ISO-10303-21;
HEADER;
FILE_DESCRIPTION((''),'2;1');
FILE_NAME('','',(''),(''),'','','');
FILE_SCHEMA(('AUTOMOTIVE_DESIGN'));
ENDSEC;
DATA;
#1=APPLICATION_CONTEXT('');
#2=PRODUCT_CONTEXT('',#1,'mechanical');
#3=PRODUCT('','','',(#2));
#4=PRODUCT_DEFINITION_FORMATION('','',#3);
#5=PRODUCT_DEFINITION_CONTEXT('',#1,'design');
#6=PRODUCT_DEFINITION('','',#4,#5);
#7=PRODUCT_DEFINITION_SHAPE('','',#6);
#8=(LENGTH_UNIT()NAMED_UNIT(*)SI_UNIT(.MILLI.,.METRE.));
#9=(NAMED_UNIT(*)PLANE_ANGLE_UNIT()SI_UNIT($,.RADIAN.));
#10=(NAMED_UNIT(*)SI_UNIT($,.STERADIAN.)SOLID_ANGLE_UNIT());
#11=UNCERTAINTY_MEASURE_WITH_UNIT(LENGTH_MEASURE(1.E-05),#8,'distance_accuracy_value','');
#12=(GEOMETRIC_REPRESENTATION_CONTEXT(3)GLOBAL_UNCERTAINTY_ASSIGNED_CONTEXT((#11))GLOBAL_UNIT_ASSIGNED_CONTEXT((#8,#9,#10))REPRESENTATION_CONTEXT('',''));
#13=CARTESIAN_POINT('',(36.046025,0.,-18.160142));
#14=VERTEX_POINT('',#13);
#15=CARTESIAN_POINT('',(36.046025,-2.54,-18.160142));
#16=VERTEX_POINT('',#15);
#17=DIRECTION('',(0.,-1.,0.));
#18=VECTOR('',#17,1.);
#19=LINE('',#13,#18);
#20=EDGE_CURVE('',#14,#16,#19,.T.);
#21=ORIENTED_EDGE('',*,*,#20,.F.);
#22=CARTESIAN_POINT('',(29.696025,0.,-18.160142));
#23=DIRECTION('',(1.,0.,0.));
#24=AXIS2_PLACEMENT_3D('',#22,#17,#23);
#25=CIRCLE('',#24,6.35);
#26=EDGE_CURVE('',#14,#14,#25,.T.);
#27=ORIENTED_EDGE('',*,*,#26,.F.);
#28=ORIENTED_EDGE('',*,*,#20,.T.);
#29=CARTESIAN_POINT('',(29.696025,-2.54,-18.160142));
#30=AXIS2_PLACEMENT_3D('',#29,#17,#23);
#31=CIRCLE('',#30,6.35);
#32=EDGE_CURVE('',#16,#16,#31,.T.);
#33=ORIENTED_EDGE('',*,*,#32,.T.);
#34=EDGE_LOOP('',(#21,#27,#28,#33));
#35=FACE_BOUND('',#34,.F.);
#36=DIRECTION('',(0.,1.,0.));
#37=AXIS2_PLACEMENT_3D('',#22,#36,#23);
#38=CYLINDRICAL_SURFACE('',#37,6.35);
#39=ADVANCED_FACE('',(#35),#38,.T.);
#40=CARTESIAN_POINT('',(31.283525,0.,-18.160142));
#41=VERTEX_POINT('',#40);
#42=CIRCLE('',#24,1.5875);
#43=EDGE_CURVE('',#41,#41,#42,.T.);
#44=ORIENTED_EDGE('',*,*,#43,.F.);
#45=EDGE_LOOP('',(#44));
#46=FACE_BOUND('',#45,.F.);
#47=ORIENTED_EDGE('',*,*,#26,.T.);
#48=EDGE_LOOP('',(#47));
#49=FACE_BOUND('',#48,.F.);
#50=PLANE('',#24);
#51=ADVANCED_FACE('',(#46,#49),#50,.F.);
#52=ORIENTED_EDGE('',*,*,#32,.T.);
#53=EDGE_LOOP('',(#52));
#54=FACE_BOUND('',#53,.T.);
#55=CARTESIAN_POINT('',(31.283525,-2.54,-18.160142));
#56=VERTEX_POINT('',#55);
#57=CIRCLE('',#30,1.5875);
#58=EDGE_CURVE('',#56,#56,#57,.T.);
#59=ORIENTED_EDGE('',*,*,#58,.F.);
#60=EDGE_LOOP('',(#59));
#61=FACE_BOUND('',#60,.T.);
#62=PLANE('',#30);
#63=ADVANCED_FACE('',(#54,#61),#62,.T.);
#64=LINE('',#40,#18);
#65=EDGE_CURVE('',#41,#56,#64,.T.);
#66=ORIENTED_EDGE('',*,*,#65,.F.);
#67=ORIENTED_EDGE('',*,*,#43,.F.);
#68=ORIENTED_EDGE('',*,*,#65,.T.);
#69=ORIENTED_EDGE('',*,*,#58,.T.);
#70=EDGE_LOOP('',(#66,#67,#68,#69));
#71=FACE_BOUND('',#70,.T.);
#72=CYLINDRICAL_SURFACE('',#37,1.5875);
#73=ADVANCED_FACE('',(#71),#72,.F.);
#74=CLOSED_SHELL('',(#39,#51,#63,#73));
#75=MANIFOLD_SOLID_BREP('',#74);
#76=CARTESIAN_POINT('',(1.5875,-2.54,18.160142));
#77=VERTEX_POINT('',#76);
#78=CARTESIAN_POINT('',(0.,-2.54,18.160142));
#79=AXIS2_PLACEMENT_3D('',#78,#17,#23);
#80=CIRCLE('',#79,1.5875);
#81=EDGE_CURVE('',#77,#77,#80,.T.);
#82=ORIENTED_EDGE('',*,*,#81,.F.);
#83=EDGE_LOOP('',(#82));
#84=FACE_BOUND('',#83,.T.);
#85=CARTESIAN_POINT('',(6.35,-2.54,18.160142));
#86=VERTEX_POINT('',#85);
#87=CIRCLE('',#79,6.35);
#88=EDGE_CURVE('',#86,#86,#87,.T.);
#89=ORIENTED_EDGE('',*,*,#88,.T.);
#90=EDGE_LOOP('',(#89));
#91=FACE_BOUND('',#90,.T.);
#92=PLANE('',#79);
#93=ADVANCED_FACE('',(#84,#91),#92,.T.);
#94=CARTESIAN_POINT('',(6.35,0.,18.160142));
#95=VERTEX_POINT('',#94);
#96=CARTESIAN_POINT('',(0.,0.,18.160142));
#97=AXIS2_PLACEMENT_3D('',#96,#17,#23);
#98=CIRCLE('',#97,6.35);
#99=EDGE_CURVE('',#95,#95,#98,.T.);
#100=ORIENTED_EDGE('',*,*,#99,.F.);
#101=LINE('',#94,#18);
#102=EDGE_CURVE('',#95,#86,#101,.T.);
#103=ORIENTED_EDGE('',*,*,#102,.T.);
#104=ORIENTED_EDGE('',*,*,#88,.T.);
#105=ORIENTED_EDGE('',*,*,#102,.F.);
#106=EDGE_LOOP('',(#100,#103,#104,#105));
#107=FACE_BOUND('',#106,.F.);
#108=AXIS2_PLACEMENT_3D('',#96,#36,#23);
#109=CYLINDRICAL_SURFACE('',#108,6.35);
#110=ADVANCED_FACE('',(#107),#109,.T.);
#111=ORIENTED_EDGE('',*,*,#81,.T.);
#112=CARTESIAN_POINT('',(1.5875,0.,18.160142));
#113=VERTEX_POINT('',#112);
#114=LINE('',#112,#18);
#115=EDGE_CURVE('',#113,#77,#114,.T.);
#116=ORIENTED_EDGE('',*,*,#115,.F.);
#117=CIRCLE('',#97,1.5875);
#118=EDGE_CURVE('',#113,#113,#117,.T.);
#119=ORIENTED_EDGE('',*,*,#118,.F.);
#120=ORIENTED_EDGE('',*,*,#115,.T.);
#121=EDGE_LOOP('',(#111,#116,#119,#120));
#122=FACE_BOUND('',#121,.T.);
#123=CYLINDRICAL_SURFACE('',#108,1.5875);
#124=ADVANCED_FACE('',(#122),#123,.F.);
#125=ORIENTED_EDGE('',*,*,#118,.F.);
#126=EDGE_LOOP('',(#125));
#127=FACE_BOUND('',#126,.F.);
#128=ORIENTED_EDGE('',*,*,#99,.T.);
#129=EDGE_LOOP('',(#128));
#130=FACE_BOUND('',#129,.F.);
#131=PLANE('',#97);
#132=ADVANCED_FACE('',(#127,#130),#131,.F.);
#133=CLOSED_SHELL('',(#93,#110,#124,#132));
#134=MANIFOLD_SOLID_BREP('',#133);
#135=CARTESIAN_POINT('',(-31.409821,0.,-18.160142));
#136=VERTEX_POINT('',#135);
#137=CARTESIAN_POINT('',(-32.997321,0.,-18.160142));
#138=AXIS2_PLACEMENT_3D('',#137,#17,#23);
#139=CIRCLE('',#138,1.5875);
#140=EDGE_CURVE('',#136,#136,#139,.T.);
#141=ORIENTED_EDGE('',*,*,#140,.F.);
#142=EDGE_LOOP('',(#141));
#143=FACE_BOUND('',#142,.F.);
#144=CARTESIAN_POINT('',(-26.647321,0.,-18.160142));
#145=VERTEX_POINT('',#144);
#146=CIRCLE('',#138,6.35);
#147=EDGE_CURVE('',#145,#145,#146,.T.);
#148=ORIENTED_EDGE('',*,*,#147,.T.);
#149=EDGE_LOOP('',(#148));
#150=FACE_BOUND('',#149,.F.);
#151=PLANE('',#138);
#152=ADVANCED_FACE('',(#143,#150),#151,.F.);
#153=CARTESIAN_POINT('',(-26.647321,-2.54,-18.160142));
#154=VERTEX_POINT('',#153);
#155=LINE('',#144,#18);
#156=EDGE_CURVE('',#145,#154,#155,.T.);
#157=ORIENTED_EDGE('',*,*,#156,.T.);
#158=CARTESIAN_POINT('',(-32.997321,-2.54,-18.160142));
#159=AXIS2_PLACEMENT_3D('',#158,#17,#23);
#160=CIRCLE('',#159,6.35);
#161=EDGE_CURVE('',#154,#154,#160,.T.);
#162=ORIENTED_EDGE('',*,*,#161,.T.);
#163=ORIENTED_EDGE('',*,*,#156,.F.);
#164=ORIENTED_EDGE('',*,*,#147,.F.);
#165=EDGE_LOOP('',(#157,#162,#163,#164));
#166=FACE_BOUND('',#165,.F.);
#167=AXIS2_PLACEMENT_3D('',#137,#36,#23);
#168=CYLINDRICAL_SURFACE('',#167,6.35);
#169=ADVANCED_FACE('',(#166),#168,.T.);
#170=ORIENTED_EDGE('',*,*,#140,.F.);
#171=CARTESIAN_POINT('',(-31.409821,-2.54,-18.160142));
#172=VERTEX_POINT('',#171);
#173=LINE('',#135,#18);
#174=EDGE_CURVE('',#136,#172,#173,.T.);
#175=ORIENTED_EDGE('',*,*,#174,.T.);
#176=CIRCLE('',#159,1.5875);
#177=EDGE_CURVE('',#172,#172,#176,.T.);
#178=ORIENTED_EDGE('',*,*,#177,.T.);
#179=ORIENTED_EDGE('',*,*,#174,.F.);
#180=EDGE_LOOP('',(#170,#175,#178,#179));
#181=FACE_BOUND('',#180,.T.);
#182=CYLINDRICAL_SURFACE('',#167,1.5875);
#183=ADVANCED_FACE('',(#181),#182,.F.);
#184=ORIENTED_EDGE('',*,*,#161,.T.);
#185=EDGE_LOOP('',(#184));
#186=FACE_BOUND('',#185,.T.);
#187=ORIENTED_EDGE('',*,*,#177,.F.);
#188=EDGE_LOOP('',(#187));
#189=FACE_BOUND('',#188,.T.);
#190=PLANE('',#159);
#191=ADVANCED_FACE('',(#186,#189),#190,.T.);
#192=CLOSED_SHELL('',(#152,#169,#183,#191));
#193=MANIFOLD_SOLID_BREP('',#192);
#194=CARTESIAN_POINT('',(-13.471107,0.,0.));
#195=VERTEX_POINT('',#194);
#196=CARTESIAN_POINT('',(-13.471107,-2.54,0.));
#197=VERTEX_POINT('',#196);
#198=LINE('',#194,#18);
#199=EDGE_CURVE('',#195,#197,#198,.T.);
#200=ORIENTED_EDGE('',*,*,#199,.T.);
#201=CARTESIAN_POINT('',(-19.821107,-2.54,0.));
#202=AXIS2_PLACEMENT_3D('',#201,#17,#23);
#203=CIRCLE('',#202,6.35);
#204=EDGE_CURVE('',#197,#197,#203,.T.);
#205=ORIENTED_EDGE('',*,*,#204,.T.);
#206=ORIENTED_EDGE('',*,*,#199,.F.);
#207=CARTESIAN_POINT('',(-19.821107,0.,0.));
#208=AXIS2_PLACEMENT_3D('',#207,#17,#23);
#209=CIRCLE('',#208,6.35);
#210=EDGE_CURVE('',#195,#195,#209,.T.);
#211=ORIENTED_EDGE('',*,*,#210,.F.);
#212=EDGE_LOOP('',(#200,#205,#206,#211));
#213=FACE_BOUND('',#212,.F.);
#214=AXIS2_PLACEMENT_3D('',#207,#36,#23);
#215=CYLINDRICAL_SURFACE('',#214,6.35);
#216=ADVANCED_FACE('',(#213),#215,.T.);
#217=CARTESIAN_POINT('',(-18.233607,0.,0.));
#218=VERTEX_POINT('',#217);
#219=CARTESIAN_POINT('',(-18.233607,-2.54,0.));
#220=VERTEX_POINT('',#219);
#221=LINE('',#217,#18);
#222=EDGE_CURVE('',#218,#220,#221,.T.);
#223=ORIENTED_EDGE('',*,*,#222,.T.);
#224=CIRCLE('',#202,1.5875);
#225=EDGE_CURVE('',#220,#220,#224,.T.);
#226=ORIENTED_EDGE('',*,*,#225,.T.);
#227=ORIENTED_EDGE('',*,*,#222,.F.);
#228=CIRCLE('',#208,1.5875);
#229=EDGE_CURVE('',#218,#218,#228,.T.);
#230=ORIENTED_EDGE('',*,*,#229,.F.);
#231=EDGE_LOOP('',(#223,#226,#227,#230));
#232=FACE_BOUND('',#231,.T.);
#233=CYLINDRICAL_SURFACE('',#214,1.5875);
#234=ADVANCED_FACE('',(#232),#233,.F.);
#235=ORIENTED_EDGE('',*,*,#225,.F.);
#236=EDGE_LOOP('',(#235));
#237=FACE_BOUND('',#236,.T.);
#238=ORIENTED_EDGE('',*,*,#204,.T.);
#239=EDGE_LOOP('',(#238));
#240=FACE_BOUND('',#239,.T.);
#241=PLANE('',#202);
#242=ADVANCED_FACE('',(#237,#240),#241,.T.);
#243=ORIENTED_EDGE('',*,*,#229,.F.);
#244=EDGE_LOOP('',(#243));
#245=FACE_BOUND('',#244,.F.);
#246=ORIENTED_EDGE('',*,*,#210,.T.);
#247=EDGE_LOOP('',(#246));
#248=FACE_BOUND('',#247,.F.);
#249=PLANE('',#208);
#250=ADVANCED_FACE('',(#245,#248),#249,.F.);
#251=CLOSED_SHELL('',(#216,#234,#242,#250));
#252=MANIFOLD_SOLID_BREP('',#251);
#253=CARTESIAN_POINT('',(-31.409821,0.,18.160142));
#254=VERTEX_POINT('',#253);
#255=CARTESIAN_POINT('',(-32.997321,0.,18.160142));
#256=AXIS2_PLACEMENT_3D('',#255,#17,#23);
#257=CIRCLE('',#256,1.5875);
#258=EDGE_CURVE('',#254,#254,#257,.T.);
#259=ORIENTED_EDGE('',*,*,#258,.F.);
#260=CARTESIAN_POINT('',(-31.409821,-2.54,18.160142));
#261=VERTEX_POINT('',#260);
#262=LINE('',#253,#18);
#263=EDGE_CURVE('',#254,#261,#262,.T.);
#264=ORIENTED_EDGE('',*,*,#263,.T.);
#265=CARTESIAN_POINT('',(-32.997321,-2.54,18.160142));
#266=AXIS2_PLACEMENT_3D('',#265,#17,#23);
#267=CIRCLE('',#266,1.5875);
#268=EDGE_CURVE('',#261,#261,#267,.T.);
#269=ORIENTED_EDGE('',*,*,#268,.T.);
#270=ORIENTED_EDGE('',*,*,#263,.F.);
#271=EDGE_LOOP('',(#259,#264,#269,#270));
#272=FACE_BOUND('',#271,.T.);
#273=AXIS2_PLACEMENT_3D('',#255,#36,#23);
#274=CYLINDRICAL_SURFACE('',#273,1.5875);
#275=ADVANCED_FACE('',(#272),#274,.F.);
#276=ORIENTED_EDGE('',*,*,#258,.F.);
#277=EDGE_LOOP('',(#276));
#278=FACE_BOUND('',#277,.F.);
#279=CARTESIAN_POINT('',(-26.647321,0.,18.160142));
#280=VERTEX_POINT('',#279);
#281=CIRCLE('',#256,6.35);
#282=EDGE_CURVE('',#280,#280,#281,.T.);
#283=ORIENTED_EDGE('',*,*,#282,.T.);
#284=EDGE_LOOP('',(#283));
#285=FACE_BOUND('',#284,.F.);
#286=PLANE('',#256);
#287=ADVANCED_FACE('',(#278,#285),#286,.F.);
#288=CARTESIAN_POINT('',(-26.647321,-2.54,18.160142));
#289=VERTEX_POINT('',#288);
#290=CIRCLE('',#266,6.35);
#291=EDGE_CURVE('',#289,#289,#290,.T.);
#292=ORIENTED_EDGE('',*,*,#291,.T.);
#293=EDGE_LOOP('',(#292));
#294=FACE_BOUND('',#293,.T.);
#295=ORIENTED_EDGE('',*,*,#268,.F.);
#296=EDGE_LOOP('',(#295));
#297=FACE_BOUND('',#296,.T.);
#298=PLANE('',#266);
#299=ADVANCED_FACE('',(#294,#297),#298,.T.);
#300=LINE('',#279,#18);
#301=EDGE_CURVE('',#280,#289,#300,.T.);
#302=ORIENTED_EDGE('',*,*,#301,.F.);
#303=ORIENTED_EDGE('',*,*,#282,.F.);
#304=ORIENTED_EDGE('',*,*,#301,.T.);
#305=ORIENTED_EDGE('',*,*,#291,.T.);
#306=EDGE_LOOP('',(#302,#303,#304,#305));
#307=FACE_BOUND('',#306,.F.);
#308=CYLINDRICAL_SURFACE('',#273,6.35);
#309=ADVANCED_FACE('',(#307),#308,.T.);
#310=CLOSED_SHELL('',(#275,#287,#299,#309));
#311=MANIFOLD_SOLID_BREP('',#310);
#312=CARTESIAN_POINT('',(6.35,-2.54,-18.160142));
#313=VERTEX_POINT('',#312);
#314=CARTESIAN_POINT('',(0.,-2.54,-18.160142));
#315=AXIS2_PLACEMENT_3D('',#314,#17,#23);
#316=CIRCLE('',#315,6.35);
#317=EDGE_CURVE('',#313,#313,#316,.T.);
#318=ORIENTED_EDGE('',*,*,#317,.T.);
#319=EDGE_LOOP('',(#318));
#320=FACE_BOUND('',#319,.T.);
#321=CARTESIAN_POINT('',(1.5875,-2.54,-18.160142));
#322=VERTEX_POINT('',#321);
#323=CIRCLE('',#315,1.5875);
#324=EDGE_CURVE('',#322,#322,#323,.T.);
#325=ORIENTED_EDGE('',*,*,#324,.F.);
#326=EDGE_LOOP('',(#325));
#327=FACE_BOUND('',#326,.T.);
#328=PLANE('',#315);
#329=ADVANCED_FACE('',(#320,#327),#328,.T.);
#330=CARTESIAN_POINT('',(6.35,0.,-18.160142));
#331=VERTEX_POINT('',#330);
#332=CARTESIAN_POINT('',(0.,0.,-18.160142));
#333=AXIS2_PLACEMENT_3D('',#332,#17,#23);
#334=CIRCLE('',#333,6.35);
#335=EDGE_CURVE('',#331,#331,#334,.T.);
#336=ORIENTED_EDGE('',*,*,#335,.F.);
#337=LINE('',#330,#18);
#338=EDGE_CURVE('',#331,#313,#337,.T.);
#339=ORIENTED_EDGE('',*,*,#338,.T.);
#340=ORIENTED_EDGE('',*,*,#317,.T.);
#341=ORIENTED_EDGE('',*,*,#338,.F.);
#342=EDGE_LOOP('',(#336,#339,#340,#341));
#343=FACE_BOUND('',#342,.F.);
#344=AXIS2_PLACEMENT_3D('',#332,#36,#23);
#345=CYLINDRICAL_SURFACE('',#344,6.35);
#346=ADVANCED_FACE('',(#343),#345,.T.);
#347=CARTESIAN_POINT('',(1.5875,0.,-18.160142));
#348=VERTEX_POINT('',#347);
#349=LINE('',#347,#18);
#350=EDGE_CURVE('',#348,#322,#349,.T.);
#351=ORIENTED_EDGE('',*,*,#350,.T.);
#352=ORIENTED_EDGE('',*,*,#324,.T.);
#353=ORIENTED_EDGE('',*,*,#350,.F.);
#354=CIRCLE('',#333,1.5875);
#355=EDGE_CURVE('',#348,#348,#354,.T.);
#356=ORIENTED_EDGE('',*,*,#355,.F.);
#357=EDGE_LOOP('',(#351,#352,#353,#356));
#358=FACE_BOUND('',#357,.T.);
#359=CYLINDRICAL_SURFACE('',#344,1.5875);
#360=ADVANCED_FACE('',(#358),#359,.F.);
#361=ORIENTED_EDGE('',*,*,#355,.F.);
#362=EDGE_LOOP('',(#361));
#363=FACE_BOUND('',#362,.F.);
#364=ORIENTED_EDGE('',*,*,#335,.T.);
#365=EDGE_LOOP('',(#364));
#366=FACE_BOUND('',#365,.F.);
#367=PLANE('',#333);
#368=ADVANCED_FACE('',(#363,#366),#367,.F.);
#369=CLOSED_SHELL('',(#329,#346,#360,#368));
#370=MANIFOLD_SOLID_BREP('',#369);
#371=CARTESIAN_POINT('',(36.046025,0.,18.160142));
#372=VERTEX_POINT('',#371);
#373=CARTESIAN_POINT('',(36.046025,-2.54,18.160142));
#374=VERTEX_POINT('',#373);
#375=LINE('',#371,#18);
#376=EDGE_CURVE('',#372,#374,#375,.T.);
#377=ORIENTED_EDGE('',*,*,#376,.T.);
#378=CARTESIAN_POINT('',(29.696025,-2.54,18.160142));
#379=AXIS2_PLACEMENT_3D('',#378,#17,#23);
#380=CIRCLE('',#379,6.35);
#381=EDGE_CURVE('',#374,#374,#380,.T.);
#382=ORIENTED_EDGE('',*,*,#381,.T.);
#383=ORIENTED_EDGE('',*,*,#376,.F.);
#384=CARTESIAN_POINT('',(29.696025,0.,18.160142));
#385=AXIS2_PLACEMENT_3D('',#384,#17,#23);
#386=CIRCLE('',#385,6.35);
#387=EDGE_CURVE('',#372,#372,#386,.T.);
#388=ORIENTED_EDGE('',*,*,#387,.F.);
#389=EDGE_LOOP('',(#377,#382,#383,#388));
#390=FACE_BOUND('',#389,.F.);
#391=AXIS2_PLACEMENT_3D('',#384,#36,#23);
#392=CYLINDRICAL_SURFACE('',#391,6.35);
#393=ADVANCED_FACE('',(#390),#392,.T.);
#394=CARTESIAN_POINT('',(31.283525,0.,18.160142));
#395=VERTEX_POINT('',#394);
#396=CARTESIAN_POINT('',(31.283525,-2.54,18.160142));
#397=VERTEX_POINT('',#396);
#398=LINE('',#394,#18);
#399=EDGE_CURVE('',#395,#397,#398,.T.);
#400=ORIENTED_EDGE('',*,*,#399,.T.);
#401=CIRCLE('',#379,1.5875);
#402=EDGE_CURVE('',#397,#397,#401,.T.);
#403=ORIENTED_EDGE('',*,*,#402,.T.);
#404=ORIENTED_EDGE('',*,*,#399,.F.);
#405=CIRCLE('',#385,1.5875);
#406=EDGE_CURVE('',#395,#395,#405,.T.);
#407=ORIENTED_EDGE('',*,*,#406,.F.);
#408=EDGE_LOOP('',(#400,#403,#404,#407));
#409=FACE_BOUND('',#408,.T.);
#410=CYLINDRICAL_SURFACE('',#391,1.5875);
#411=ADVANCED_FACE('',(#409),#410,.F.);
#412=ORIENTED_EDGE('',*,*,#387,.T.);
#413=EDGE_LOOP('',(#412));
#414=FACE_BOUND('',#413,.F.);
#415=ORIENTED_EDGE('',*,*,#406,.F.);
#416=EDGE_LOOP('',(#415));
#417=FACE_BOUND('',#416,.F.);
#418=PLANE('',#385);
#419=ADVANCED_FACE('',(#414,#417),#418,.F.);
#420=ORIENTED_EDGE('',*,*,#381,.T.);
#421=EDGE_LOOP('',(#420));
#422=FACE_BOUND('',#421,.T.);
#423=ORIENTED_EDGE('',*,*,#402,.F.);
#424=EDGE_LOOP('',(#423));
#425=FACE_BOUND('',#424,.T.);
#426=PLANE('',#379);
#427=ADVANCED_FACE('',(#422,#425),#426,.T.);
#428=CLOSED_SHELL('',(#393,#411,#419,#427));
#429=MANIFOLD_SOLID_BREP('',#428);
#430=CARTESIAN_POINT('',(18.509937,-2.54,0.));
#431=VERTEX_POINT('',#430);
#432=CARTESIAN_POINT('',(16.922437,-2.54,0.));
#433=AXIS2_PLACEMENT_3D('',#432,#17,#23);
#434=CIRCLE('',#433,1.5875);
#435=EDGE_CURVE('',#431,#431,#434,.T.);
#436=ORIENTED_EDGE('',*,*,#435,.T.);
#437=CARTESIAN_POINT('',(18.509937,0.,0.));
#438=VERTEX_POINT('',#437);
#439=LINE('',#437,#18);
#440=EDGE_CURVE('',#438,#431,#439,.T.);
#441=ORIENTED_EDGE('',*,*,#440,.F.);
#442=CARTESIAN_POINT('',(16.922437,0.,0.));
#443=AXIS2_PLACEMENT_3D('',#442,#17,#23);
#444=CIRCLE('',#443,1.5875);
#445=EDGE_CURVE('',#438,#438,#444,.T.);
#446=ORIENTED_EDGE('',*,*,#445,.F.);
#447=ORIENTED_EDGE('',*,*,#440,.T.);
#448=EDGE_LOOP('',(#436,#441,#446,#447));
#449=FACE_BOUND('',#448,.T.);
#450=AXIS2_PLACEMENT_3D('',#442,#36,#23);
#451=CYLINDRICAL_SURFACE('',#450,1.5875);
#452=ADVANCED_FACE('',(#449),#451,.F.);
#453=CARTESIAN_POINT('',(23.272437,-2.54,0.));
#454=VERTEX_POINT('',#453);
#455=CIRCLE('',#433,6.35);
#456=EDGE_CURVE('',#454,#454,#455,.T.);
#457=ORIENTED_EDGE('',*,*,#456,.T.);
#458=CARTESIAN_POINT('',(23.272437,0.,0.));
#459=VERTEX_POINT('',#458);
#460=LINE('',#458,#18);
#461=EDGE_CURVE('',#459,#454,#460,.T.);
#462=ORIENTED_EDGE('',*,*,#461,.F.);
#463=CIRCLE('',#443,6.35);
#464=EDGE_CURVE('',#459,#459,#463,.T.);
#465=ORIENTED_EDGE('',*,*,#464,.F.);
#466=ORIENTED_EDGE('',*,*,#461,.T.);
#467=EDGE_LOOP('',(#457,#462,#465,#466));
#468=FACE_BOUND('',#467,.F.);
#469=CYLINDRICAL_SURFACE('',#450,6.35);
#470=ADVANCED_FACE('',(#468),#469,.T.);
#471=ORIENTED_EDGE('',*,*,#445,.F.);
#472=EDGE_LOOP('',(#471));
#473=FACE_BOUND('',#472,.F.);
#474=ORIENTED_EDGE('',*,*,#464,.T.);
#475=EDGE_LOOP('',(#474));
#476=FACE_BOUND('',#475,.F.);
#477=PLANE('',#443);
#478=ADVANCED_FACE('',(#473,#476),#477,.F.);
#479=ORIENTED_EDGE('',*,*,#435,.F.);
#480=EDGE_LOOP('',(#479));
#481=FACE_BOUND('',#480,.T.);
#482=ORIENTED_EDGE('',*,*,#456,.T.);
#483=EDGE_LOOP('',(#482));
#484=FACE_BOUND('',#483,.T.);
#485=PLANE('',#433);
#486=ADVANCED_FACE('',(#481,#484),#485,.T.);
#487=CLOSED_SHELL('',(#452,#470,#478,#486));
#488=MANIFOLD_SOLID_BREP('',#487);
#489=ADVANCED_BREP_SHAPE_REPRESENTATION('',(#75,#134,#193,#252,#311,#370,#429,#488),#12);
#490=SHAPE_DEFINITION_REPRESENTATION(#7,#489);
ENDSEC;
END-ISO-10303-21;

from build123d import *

# Parameters (mm, degrees)
F0_R     = 6.35
F0_R_2   = 1.5875
F1_DEPTH = 2.54


with BuildPart() as f1:
    # F0 (on Front) → F1 (new body)
    with BuildSketch(Plane.XZ):
        with Locations((-32.997321, 18.160142)):
            Circle(F0_R)
        with Locations((-32.997321, 18.160142)):
            Circle(F0_R_2, mode=Mode.SUBTRACT)
        with Locations((0, 18.160142)):
            Circle(F0_R)
        with Locations((0, 18.160142)):
            Circle(F0_R_2, mode=Mode.SUBTRACT)
        with Locations((29.696025, 18.160142)):
            Circle(F0_R)
        with Locations((29.696025, 18.160142)):
            Circle(F0_R_2, mode=Mode.SUBTRACT)
        with Locations((-32.997321, -18.160142)):
            Circle(F0_R)
        with Locations((-32.997321, -18.160142)):
            Circle(F0_R_2, mode=Mode.SUBTRACT)
        with Locations((0, -18.160142)):
            Circle(F0_R)
        with Locations((0, -18.160142)):
            Circle(F0_R_2, mode=Mode.SUBTRACT)
        with Locations((29.696025, -18.160142)):
            Circle(F0_R)
        with Locations((29.696025, -18.160142)):
            Circle(F0_R_2, mode=Mode.SUBTRACT)
        with Locations((-19.821107, 0)):
            Circle(F0_R)
        with Locations((-19.821107, 0)):
            Circle(F0_R_2, mode=Mode.SUBTRACT)
        with Locations((16.922437, 0)):
            Circle(F0_R)
        with Locations((16.922437, 0)):
            Circle(F0_R_2, mode=Mode.SUBTRACT)
    extrude(amount=F1_DEPTH)


solid = f1.part
